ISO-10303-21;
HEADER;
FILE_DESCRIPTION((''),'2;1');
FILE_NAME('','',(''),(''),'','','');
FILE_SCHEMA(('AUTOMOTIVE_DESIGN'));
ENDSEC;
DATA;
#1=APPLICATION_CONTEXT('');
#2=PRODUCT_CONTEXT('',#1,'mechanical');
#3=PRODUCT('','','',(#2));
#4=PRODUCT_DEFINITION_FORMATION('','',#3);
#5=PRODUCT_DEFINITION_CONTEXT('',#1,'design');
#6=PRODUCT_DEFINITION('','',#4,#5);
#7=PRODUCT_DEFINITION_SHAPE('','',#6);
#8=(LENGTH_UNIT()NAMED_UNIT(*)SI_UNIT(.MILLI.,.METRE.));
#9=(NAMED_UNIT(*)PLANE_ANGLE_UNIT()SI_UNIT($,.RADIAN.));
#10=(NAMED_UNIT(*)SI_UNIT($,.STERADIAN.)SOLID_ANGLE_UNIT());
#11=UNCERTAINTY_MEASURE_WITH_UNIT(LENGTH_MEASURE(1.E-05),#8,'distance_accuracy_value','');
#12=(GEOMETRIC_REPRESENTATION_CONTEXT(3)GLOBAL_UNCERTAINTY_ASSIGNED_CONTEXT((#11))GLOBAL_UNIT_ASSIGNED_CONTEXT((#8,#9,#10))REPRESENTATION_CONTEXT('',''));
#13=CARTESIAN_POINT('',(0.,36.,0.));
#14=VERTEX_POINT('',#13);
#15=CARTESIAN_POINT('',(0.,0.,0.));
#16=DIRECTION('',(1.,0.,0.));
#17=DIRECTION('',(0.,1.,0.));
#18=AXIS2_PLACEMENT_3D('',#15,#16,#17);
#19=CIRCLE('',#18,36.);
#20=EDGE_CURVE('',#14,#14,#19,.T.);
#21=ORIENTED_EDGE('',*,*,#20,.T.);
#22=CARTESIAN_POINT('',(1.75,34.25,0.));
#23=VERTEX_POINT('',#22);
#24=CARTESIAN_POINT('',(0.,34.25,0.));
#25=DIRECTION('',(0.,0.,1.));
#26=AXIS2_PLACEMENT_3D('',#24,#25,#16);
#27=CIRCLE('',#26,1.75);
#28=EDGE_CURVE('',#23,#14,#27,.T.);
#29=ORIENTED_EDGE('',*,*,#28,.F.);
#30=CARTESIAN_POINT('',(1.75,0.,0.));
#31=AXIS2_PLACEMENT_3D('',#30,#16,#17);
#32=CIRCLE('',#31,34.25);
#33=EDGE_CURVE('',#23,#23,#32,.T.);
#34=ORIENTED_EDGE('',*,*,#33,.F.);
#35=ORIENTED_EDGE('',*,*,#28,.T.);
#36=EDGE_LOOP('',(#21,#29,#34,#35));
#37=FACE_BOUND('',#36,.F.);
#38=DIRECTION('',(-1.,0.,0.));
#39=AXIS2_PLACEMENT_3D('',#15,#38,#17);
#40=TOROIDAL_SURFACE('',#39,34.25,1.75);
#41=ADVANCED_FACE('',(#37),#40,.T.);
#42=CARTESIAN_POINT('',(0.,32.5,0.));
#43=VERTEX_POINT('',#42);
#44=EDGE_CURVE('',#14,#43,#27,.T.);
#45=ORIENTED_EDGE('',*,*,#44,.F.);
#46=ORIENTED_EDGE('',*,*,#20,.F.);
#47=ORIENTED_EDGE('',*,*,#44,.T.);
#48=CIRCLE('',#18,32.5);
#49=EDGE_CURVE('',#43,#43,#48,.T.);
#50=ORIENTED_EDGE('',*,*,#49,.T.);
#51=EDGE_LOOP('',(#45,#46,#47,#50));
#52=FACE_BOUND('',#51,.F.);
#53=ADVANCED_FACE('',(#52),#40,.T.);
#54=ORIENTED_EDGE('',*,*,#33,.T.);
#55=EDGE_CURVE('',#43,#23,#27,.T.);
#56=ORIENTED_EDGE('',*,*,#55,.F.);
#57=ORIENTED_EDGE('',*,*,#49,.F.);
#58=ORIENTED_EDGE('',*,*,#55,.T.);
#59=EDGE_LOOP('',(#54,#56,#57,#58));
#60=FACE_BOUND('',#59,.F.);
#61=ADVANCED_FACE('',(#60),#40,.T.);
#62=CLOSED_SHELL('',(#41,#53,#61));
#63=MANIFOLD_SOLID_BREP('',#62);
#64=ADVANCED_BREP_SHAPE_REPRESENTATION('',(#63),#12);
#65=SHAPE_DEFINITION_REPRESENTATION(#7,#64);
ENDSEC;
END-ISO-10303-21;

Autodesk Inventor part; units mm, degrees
ref_plane "YZ Plane" through (0, 0, 0) normal (1, 0, 0) x (0, 1, 0)
ref_plane "XZ Plane" through (0, 0, 0) normal (0, 1, 0) x (-1, 0, 0)
ref_plane "XY Plane" through (0, 0, 0) normal (0, 0, 1) x (1, 0, 0)
sketch "Skizze1" plane through (0, 0, 0) normal (0, 0, 1) x (1, 0, 0)
  circle A0 centre (0, 34.25) radius 1.75
  line L0 (-21.28, 0) -> (17.2096, 0) projected
  line L1 (0, -7.2) -> (0, 43.2) projected
  line L2 (-15.7815, 0) -> (11.7111, 0)
  point P0 (0, 0)
  dimension "d1" = 3.5
  dimension "d2" = 34.25
  dimension "d3" = 0
revolve "Umdrehung1" add sketch "Skizze1" angle 360 about axis through (-15.7815, 0, 0) along (1, 0, 0)
properties part number "O Ring 72x3,5x65" material "Eisen, grau"
